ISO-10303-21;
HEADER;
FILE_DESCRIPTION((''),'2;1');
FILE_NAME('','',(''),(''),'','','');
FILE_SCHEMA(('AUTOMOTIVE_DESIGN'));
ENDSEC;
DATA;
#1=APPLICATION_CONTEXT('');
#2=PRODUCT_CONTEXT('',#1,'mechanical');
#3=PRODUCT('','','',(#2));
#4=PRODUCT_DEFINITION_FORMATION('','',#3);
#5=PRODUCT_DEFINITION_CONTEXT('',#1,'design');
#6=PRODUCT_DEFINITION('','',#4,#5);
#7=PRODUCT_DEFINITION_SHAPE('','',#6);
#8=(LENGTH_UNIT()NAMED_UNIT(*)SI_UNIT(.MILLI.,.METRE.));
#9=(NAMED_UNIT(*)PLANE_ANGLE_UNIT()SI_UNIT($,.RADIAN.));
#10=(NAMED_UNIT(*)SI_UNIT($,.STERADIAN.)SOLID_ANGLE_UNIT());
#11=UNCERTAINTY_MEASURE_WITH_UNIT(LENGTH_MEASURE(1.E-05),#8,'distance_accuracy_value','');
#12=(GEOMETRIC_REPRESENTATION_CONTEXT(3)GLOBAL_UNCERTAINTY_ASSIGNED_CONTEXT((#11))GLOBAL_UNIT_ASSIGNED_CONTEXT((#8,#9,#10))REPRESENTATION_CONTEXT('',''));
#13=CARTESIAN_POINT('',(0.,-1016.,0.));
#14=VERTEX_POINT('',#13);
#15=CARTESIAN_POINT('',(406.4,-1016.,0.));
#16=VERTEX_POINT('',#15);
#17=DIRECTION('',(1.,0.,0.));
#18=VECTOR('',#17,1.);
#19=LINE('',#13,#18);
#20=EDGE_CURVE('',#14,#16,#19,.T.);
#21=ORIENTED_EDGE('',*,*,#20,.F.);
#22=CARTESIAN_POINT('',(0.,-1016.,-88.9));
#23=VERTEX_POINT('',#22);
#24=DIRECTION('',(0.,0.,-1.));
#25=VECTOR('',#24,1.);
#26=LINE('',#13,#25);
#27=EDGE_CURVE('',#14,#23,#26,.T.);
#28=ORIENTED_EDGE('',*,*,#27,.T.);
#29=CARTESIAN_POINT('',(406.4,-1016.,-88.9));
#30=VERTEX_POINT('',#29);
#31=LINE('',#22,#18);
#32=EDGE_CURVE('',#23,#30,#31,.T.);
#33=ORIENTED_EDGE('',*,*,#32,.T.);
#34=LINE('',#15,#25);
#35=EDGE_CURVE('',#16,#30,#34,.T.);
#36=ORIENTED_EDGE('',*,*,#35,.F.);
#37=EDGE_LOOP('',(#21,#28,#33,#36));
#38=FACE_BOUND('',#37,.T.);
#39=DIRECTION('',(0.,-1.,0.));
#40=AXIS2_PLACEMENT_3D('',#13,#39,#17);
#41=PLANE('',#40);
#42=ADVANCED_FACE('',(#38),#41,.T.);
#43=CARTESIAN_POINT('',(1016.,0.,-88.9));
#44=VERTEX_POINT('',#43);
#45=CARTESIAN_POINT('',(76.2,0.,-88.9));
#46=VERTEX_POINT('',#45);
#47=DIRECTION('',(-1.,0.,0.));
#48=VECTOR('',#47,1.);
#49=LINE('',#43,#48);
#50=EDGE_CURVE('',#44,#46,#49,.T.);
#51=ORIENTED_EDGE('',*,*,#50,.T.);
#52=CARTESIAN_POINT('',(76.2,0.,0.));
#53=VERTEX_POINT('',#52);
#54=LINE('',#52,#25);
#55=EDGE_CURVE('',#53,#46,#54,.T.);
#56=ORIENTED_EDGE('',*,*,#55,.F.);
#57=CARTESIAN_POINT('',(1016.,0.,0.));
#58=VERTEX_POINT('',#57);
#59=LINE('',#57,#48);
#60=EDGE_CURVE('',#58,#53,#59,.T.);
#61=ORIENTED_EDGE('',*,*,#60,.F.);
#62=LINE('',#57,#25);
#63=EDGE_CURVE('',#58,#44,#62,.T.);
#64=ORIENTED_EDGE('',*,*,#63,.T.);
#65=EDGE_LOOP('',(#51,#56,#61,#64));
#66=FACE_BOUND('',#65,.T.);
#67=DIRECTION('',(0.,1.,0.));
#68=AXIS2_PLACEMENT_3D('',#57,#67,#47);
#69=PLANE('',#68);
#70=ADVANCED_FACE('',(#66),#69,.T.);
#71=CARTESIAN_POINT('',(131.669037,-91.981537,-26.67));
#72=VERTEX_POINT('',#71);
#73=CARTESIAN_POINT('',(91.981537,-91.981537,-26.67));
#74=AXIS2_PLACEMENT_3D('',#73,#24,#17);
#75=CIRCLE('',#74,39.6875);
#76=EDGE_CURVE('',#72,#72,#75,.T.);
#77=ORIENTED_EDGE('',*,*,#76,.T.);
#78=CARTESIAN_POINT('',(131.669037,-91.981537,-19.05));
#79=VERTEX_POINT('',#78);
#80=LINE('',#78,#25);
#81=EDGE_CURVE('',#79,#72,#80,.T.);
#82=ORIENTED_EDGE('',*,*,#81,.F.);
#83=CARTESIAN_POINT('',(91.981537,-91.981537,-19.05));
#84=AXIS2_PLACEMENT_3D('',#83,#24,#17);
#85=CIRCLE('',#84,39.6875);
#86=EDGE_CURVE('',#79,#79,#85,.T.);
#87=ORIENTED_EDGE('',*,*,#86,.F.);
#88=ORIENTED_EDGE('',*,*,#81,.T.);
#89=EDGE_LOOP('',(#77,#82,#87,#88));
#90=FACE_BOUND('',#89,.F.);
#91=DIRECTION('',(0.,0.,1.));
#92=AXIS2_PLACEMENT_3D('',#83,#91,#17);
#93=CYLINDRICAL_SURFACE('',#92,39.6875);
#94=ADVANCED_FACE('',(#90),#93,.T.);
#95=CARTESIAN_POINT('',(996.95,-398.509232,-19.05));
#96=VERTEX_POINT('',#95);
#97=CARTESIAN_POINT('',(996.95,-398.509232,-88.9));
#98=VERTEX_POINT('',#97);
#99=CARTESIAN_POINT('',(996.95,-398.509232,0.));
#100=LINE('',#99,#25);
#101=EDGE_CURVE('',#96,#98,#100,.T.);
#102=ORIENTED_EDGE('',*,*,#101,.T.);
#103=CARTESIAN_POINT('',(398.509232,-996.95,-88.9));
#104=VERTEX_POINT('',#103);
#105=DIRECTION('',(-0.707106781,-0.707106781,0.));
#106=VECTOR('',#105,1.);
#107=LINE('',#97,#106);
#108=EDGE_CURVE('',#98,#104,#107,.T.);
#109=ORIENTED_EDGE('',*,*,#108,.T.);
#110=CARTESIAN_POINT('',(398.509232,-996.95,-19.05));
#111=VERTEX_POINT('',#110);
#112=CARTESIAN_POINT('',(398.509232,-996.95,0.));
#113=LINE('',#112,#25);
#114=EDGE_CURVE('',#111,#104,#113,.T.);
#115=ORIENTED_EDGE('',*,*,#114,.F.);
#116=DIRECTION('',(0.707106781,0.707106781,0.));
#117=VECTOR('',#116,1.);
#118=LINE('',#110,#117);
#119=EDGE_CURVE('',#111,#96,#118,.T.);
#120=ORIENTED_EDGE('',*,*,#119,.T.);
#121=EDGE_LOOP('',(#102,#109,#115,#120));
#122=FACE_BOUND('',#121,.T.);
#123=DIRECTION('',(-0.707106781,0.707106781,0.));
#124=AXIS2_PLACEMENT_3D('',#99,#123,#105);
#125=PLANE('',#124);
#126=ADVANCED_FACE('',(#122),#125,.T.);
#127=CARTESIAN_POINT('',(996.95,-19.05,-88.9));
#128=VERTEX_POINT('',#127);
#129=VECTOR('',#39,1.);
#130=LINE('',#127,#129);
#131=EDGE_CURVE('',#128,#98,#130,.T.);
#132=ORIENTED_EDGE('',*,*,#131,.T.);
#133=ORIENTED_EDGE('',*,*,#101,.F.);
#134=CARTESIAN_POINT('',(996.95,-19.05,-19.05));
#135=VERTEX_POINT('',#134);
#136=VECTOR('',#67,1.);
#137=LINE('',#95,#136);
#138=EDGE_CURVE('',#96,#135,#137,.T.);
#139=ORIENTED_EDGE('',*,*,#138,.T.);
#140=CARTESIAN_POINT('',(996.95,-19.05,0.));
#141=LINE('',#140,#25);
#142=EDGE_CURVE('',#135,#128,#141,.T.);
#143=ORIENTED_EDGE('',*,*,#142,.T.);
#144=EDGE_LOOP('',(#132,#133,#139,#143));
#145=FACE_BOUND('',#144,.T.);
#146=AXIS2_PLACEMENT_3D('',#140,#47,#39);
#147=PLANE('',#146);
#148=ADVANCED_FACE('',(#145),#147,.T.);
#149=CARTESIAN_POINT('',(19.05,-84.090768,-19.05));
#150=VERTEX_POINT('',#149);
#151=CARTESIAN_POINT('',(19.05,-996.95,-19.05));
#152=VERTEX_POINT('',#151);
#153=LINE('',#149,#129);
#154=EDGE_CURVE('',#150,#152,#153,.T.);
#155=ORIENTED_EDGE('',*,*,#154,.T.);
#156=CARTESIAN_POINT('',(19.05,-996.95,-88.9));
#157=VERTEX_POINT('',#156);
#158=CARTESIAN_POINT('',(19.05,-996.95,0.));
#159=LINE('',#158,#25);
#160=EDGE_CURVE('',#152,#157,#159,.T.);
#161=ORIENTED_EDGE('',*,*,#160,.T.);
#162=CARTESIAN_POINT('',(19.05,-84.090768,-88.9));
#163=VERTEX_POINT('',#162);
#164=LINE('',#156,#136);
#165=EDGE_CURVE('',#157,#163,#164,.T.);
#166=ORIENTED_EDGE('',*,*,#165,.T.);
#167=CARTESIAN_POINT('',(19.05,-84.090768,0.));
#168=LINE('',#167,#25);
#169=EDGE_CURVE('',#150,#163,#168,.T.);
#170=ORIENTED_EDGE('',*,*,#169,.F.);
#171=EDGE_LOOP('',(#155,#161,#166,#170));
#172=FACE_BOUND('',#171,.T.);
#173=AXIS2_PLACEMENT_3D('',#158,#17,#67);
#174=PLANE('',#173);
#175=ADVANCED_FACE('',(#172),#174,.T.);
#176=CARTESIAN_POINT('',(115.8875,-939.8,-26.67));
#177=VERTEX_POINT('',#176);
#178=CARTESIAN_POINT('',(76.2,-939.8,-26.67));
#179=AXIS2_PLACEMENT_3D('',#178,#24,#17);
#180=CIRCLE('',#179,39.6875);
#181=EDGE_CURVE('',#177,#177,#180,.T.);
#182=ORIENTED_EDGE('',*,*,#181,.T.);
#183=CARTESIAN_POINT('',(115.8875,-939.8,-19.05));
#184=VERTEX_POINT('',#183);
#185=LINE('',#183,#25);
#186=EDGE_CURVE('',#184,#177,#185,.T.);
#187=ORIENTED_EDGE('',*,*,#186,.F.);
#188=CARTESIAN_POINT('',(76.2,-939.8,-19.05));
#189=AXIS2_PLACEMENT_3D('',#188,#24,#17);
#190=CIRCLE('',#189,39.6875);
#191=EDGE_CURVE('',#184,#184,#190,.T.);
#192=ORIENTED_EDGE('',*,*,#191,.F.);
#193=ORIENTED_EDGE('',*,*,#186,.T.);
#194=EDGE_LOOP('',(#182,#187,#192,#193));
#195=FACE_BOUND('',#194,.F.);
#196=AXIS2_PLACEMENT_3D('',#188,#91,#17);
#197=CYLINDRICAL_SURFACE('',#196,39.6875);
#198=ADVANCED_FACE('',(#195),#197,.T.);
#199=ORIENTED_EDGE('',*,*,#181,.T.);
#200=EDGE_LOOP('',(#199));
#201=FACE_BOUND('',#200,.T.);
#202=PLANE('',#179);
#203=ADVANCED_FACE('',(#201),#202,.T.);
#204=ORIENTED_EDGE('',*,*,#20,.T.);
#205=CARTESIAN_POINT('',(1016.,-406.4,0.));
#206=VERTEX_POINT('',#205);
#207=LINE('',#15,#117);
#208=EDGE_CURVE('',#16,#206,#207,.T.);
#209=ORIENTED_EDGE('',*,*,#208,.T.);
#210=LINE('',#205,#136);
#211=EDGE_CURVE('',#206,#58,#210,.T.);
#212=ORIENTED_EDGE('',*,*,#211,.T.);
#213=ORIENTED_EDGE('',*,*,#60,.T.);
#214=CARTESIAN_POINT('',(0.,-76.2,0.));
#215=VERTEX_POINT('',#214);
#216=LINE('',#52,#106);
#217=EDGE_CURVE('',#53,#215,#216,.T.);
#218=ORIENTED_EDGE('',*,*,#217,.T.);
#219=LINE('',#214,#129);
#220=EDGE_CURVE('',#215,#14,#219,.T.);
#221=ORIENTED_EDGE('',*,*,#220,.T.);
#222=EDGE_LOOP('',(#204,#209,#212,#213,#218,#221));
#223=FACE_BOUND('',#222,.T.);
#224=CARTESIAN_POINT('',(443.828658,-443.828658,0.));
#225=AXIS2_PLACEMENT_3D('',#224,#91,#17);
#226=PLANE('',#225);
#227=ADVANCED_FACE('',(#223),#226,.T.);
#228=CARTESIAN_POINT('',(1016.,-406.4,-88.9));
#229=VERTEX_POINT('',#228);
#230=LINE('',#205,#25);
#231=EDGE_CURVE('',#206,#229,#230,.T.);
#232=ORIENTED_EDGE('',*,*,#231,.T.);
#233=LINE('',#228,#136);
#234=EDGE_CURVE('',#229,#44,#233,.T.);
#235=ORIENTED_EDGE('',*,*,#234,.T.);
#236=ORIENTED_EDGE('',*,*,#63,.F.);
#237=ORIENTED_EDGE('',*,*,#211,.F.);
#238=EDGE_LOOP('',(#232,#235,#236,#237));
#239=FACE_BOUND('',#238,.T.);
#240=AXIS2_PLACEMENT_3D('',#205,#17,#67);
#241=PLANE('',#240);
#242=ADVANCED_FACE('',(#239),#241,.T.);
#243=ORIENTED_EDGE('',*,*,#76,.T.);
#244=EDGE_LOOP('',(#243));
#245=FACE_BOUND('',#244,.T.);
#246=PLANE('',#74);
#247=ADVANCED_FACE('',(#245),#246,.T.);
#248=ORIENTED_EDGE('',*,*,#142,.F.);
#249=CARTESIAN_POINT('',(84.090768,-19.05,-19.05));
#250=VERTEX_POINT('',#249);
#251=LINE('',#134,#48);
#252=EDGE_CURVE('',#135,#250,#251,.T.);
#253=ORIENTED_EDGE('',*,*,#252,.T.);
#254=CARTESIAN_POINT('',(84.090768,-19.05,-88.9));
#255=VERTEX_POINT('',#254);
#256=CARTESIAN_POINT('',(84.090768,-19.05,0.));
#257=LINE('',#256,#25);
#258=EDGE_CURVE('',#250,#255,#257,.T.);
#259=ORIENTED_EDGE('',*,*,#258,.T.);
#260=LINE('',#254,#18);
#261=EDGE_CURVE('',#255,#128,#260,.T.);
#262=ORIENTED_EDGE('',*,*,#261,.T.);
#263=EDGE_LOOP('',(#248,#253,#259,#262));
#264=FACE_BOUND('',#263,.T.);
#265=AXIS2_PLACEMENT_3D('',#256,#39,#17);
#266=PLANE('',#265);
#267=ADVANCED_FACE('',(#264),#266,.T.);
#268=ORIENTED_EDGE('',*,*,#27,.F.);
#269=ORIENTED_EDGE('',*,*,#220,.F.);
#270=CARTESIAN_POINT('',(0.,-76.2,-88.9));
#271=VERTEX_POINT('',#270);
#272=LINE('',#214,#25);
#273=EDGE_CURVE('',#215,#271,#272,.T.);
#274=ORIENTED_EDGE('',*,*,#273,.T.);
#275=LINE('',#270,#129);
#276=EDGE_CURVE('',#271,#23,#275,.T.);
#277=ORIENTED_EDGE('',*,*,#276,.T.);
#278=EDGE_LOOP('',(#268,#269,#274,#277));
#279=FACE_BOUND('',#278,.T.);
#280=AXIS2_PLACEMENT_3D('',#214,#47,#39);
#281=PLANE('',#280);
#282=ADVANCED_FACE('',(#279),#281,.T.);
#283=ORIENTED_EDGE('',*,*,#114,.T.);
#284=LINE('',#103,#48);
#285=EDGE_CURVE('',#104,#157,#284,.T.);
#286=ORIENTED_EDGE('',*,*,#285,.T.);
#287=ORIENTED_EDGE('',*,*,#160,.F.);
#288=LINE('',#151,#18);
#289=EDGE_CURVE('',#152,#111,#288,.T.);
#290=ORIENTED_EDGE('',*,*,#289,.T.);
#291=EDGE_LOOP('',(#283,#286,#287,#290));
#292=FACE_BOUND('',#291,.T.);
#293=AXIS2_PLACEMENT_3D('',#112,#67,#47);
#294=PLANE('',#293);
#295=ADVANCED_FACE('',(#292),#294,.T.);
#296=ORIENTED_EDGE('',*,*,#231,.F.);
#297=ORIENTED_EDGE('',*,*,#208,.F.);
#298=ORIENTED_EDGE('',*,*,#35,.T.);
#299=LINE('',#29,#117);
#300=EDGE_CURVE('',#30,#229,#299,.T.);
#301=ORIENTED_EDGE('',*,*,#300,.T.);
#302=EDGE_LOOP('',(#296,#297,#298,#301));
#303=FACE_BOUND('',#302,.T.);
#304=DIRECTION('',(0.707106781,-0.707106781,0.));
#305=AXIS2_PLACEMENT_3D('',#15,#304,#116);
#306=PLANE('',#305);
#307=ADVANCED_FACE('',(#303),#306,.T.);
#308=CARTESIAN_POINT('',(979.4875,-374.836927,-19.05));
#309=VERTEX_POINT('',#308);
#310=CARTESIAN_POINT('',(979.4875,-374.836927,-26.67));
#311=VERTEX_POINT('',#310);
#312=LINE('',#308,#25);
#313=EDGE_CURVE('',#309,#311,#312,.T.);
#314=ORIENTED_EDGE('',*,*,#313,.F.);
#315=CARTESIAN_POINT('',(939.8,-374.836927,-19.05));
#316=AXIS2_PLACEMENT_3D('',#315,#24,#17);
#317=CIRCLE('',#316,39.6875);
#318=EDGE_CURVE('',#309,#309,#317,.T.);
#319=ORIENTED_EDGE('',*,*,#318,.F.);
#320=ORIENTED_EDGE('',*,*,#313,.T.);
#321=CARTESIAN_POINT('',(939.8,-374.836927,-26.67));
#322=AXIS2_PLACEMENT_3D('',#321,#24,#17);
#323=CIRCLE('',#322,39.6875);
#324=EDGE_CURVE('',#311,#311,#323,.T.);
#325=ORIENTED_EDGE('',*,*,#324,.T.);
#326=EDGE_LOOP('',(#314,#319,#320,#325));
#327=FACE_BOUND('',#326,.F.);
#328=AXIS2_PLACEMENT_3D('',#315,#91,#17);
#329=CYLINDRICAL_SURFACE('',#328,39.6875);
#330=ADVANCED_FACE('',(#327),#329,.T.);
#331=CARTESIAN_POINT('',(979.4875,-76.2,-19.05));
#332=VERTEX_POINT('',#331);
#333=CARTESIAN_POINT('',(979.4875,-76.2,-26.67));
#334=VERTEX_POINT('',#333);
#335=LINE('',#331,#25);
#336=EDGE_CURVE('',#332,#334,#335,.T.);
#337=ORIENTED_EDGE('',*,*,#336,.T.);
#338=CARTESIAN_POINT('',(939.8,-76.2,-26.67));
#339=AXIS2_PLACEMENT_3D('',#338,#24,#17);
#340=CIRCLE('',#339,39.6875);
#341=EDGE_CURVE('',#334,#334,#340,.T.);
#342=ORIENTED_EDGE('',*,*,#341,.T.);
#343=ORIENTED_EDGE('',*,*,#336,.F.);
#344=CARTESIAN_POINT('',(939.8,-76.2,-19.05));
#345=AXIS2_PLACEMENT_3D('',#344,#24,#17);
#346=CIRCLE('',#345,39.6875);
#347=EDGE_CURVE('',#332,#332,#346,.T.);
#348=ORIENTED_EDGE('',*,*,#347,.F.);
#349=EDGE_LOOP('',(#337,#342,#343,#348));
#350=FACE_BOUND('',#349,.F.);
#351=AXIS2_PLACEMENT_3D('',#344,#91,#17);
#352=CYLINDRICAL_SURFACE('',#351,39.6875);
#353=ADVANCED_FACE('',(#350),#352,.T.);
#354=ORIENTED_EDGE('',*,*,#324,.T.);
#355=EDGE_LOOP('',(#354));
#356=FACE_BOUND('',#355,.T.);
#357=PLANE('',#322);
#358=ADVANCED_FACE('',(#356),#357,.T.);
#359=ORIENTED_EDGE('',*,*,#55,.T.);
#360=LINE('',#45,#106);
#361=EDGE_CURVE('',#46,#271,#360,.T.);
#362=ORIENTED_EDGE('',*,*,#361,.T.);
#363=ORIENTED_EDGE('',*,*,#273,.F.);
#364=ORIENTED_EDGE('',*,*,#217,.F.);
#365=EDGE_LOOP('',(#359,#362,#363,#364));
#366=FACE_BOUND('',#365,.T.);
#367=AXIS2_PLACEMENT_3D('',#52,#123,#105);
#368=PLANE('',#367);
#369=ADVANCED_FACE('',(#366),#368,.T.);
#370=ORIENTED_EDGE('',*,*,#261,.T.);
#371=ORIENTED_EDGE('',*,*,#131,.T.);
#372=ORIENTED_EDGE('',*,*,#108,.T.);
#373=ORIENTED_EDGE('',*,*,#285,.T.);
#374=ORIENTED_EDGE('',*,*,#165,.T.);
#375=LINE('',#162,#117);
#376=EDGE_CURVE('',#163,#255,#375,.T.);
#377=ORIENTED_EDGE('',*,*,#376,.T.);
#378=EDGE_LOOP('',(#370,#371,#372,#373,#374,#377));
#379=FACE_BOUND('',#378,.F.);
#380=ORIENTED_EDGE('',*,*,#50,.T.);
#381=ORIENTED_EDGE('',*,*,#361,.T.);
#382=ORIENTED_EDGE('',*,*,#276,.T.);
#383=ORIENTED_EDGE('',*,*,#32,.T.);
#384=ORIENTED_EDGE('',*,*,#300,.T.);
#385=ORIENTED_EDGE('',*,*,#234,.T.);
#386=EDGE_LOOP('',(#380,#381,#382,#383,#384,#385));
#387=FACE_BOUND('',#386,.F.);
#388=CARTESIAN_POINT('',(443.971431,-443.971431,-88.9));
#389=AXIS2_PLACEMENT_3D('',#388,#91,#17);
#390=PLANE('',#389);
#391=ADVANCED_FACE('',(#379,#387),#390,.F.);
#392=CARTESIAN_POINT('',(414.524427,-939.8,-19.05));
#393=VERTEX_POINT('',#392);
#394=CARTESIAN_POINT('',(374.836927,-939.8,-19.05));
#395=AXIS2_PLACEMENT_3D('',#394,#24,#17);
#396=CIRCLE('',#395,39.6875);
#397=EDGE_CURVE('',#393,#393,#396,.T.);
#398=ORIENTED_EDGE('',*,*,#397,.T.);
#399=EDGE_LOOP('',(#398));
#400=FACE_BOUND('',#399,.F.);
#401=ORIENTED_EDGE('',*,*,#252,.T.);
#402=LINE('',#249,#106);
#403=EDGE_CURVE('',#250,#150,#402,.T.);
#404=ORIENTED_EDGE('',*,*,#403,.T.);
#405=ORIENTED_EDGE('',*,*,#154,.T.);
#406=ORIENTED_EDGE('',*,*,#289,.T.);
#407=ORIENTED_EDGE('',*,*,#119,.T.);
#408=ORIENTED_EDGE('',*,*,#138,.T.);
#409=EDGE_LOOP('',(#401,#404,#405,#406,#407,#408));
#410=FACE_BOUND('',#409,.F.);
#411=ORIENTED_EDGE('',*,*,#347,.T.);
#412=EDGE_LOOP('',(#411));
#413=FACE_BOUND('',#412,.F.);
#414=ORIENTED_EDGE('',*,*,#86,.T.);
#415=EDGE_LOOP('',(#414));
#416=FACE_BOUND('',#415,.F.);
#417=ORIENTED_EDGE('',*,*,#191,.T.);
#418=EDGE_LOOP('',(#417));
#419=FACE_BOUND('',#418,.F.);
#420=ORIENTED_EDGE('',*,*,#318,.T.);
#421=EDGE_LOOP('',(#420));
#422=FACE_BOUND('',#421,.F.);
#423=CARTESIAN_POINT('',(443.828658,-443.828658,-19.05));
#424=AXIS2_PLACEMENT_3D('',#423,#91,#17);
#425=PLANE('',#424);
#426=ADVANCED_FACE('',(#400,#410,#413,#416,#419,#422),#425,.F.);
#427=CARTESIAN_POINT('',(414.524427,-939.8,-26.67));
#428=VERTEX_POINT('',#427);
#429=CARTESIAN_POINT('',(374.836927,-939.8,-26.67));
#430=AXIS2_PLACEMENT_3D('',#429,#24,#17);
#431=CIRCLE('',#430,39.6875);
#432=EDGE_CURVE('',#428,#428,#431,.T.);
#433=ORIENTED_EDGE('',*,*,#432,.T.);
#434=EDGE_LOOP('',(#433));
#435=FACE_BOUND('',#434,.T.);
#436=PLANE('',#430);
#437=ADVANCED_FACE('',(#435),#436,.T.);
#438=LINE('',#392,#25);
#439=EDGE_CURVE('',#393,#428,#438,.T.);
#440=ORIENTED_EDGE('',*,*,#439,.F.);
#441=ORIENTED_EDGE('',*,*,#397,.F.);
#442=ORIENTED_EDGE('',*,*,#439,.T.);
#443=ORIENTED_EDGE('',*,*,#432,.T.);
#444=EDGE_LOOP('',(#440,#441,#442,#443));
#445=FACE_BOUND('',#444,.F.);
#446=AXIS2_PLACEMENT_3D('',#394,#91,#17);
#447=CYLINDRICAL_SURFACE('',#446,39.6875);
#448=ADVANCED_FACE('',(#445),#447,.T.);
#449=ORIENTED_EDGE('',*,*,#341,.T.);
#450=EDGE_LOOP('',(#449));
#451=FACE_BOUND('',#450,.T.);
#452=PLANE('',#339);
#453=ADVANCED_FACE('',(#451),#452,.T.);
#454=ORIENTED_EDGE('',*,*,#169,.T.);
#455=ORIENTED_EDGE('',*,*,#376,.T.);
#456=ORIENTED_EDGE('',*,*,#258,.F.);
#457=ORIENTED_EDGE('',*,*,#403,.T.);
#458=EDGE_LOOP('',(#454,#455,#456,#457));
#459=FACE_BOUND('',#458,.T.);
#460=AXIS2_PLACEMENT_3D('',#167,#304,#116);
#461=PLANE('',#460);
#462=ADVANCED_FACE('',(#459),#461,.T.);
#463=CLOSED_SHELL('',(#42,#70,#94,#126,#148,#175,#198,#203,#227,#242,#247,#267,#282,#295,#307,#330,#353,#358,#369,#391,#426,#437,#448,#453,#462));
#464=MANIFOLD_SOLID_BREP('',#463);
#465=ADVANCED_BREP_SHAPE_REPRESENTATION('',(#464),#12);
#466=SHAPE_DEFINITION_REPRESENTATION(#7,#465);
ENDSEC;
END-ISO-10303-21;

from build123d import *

# Parameters (mm, degrees)
F1_DEPTH = 88.9
F2_DEPTH = 19.05
F3_R     = 39.6875
F4_DEPTH = 7.62


with BuildPart() as f1:
    # F0 (on Top) → F1 (new body)
    with BuildSketch(Plane.XY):
        Polygon((0, -76.2), (0, -1016), (406.4, -1016), (1016, -406.4), (1016, 0), (76.2, 0), align=None)
        Polygon((398.509232, -996.95), (19.05, -996.95), (19.05, -84.090768), (84.090768, -19.05), (996.95, -19.05), (996.95, -398.509232), align=None, mode=Mode.SUBTRACT)
    extrude(amount=-F1_DEPTH)

    # F0 (on Top) → F2 (join)
    with BuildSketch(Plane.XY):
        Polygon((19.05, -84.090768), (19.05, -996.95), (398.509232, -996.95), (996.95, -398.509232), (996.95, -19.05), (84.090768, -19.05), align=None)
    extrude(amount=-F2_DEPTH)

    # F3 (on face) → F4 (join)
    with BuildSketch(Plane(origin=(0, 0, -19.05), x_dir=(1, 0, 0), z_dir=(0, 0, -1))):
        with Locations((76.2, 939.8)):
            Circle(F3_R)
        with Locations((91.981537, 91.981537)):
            Circle(F3_R)
        with Locations((374.836927, 939.8)):
            Circle(F3_R)
        with Locations((939.8, 374.836927)):
            Circle(F3_R)
        with Locations((939.8, 76.2)):
            Circle(F3_R)
    extrude(amount=F4_DEPTH)


solid = f1.part
